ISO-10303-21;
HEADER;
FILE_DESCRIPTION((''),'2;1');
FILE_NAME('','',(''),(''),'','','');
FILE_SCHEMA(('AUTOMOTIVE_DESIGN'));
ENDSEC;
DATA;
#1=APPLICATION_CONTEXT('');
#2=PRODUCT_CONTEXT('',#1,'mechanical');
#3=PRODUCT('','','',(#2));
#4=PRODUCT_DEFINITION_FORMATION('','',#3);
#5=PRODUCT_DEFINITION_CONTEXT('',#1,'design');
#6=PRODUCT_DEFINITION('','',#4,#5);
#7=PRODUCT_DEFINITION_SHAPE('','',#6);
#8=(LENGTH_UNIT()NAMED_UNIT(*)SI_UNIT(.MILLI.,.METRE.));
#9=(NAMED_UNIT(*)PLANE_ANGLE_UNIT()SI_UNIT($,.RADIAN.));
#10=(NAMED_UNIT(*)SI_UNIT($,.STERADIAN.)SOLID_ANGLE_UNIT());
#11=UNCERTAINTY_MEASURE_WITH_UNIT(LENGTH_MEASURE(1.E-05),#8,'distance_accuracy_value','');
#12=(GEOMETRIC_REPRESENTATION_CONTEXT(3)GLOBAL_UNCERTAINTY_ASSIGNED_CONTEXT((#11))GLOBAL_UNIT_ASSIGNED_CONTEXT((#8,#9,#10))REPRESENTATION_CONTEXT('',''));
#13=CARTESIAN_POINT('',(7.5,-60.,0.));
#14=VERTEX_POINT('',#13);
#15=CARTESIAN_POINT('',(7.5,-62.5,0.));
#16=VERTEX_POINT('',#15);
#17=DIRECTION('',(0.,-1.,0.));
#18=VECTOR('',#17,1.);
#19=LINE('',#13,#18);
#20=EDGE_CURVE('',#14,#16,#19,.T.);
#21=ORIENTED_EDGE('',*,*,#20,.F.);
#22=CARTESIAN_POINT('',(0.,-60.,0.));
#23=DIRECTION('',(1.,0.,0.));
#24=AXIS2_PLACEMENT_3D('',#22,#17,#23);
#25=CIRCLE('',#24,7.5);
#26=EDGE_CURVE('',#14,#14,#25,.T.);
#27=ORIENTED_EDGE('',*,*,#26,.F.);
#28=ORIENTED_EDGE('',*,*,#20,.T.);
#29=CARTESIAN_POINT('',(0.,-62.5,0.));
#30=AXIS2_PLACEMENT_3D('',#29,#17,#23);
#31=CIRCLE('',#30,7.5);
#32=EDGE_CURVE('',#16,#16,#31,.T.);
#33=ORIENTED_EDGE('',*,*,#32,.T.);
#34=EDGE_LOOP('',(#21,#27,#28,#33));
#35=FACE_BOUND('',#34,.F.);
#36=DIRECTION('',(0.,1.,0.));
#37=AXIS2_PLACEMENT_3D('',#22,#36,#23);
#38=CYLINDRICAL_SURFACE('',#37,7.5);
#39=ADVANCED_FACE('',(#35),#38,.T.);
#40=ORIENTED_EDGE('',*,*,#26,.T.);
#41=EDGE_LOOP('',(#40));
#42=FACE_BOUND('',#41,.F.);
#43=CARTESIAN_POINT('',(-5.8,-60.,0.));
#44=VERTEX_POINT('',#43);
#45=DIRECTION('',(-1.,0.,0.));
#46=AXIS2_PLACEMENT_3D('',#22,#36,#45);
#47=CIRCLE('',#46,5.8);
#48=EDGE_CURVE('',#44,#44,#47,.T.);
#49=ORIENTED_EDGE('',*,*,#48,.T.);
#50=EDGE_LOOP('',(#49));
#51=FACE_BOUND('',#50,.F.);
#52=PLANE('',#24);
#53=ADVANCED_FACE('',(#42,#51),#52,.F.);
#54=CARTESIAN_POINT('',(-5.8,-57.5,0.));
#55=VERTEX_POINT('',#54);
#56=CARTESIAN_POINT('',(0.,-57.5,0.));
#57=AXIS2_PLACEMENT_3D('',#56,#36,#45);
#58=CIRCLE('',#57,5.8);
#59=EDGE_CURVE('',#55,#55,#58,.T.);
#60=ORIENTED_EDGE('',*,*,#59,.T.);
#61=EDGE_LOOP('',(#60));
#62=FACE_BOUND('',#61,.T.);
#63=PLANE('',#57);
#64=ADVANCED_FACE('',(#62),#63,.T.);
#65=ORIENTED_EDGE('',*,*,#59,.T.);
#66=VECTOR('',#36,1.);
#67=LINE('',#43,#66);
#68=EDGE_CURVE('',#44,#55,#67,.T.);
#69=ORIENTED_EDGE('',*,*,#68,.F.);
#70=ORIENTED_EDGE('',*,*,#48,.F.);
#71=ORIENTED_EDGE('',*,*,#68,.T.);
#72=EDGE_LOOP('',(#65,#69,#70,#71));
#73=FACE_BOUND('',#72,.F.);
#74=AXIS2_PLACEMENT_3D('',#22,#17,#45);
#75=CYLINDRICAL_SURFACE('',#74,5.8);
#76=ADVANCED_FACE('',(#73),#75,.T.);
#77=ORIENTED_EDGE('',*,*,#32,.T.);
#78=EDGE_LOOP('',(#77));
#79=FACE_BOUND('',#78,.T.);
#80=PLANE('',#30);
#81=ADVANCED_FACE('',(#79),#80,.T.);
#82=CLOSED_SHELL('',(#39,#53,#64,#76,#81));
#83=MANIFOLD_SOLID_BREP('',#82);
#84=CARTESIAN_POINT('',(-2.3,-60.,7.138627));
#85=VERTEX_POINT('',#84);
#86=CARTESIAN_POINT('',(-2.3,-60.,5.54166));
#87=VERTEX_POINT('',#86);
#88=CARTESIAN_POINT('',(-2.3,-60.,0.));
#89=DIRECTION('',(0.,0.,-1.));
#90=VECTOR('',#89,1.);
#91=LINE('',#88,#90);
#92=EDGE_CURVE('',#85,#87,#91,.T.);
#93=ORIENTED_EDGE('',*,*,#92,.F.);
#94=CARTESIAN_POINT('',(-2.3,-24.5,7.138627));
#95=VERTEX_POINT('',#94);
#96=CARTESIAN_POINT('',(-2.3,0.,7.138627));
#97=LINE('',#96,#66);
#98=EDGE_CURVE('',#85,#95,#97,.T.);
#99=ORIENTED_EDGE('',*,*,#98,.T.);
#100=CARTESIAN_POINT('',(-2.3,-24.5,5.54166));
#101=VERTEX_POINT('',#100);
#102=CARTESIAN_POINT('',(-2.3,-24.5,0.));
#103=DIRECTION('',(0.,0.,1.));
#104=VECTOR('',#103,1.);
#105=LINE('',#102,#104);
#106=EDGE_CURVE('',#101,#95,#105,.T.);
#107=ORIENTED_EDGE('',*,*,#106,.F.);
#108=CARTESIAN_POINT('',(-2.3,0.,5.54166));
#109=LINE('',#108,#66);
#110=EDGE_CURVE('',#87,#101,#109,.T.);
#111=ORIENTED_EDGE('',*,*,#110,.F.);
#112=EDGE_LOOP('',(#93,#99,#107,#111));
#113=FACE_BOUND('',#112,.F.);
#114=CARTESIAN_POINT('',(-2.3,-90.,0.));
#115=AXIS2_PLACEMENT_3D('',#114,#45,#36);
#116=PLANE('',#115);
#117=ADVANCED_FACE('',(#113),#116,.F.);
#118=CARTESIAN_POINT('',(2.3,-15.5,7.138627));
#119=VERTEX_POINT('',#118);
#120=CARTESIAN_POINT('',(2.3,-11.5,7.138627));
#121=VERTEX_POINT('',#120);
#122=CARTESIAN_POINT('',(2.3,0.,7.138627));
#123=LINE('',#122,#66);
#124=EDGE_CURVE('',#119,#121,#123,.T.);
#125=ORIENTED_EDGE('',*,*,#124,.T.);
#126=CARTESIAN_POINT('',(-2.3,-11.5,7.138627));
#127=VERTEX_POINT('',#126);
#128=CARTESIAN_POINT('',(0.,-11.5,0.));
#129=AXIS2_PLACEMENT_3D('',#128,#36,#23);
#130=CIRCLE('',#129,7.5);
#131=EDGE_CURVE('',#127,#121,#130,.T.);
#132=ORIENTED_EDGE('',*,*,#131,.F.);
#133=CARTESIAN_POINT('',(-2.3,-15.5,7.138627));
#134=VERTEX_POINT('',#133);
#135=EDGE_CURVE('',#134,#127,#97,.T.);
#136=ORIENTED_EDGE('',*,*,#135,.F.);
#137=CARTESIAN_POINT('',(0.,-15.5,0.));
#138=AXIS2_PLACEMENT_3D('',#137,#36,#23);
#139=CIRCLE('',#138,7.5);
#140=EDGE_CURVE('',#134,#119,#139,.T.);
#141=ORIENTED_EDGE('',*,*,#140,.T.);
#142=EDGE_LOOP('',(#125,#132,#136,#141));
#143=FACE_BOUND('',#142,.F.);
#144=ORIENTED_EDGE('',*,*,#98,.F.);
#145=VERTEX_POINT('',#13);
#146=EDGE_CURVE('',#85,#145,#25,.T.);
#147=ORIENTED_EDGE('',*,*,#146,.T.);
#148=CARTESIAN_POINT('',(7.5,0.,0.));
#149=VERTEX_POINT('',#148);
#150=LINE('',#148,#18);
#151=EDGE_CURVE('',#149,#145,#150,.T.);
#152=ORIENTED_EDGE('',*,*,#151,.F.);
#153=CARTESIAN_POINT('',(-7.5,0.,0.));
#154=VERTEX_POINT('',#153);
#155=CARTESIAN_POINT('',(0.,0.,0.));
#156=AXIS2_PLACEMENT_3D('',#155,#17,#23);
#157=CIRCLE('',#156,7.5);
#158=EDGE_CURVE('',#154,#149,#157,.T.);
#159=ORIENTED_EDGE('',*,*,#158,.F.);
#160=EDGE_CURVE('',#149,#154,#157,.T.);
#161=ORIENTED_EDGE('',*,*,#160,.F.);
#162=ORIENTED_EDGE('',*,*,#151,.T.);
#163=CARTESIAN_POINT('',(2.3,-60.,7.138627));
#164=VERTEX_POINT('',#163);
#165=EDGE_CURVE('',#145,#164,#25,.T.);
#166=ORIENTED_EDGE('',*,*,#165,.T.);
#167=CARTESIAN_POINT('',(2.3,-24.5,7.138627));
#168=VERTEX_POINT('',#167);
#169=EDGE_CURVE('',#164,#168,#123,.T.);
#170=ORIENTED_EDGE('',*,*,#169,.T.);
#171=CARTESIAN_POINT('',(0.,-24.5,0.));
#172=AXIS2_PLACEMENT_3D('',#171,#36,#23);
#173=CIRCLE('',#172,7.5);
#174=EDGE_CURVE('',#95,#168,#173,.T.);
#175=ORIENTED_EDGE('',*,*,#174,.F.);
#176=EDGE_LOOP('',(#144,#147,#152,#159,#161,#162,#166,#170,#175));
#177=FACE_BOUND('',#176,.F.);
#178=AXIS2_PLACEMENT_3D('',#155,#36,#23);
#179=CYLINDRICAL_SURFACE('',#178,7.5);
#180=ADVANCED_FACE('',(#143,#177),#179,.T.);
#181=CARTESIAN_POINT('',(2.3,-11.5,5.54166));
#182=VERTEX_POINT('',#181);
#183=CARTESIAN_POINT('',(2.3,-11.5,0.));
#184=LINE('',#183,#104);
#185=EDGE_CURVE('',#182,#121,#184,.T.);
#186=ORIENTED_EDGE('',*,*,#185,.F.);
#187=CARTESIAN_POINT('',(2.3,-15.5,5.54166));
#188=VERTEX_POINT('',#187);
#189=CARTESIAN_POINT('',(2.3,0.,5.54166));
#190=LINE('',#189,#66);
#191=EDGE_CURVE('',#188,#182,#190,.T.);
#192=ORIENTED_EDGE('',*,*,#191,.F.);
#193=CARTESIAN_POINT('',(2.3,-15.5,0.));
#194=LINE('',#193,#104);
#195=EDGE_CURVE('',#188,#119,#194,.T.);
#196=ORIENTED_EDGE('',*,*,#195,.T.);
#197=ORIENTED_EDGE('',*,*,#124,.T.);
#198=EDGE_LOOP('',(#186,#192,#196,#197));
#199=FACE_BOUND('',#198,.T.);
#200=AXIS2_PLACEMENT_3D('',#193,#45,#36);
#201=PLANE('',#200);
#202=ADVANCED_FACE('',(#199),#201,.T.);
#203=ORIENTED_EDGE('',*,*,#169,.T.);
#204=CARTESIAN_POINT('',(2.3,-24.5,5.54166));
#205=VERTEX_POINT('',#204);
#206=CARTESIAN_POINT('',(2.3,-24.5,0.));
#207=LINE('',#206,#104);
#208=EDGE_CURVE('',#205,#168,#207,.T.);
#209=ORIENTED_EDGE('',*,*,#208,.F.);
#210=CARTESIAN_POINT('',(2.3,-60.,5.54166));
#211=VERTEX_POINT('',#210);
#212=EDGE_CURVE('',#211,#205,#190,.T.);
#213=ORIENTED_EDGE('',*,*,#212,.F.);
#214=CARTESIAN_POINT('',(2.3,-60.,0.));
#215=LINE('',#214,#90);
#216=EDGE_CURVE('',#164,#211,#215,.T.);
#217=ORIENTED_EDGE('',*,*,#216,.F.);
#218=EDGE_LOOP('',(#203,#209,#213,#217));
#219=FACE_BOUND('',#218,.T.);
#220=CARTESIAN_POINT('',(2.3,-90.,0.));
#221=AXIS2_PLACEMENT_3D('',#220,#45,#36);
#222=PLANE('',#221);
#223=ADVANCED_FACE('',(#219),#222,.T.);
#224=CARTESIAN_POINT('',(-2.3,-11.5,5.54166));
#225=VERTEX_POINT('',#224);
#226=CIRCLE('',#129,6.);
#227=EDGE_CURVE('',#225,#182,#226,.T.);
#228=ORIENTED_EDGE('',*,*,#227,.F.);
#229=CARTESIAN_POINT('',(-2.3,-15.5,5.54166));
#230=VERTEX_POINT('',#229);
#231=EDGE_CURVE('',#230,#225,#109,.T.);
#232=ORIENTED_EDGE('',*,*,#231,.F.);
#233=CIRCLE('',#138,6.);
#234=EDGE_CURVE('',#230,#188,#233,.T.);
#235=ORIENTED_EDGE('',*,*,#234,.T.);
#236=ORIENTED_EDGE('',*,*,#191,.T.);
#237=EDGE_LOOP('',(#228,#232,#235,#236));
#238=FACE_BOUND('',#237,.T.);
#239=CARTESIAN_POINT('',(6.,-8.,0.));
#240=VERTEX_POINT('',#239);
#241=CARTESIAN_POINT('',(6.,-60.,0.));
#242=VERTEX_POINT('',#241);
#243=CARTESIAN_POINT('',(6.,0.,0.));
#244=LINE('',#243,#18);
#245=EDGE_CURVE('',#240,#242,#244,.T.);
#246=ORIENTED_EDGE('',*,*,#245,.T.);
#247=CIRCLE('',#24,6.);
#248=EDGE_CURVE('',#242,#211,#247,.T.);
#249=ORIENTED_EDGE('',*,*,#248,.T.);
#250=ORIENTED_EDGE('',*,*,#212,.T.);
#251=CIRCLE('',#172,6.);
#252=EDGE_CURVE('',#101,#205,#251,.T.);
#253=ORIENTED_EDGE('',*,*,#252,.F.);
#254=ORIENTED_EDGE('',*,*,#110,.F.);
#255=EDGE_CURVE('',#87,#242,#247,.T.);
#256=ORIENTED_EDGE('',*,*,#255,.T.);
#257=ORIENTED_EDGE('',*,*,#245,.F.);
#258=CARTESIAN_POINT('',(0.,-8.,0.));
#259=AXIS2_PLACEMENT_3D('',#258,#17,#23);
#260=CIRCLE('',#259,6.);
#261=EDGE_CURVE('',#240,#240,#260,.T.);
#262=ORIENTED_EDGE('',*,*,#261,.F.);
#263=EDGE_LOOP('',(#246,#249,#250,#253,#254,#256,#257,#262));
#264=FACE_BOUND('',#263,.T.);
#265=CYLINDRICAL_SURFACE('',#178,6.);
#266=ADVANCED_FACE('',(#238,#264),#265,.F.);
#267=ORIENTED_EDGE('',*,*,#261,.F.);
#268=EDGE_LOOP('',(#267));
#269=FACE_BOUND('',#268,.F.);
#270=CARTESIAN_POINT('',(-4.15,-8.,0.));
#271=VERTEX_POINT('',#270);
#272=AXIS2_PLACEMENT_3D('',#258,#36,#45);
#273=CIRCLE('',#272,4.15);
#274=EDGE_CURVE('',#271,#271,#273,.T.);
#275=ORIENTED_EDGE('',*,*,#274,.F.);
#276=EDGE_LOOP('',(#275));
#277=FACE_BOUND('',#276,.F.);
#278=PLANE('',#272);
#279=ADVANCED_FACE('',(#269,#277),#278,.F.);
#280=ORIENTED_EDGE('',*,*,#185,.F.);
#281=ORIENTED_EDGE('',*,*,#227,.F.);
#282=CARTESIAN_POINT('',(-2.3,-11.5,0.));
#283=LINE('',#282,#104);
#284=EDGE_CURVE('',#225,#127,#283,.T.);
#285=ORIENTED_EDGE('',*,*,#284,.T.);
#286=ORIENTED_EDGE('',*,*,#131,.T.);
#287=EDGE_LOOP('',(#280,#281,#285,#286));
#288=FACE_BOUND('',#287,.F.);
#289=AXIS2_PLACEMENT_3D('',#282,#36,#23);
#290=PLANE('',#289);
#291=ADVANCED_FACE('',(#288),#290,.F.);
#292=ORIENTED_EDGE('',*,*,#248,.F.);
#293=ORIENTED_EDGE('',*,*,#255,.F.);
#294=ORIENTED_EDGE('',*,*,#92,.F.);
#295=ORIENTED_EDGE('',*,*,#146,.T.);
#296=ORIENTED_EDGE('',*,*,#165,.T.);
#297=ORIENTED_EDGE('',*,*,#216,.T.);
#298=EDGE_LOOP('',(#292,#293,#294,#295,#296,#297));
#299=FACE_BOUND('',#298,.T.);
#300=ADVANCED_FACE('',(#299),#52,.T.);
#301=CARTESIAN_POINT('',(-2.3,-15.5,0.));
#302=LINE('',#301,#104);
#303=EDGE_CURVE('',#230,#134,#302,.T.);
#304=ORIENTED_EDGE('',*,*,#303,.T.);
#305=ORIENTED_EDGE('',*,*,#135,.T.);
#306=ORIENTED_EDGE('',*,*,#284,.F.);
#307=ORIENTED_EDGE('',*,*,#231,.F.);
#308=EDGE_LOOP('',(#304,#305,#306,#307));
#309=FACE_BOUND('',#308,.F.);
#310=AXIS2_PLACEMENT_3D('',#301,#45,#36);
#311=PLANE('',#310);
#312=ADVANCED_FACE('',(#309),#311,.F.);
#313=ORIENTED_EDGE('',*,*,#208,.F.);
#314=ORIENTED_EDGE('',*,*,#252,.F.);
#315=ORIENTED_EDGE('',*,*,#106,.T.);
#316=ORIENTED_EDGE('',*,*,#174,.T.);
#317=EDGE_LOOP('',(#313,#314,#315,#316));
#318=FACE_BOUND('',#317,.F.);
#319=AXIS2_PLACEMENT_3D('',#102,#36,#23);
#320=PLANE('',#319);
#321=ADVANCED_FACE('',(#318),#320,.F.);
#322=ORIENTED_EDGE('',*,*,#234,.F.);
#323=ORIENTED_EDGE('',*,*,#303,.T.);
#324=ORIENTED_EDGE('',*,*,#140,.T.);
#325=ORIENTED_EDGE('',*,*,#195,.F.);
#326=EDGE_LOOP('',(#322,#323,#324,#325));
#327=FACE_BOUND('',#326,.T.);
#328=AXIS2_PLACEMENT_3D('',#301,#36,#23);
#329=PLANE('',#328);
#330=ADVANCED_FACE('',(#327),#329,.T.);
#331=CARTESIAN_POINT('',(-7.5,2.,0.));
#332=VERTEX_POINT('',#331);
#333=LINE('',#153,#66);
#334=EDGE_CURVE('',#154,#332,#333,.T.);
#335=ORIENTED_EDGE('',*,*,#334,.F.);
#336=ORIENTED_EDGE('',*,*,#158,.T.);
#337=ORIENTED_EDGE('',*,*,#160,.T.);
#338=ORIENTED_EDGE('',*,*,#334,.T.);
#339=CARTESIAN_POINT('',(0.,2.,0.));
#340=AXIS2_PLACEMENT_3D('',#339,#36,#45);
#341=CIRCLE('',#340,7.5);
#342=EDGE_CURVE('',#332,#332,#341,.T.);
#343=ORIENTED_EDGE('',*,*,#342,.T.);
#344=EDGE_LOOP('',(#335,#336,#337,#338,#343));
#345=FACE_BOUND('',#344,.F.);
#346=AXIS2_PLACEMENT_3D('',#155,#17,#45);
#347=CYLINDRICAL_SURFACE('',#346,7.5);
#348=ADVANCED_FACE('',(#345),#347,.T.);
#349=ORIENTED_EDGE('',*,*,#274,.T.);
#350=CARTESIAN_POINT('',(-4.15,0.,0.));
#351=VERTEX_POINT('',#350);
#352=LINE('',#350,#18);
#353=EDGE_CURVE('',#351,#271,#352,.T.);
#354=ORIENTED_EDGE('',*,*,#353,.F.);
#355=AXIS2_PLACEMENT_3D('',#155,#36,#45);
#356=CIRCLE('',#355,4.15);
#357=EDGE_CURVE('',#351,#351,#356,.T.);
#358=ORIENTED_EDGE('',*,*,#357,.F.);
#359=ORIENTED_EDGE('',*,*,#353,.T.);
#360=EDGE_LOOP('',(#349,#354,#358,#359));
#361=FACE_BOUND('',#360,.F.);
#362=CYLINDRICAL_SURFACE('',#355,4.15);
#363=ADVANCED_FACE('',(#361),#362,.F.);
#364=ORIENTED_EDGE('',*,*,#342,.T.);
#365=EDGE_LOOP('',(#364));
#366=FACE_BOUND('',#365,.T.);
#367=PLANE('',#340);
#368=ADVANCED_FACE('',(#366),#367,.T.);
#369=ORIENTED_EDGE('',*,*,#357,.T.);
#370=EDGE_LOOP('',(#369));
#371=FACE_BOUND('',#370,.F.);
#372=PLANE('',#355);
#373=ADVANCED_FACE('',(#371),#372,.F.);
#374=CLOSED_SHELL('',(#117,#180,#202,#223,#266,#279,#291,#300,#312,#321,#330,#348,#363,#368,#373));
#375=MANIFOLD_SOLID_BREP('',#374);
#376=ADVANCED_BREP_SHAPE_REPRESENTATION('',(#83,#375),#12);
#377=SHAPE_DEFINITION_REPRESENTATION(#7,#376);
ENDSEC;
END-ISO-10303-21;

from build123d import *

# Parameters (mm, degrees)
F0_R      = 7.5
F0_R_2    = 6
F1_DEPTH  = 60
F2_R      = 6
F2_R_2    = 4.15
F3_DEPTH  = 8
F4_R      = 7.5
F5_DEPTH  = 2
F6_W      = 4.6
F6_H      = 65.5
F6_H_2    = 4
F7_DEPTH  = 25
F8_R      = 7.5
F9_DEPTH  = 2.5
F10_R     = 5.8
F11_DEPTH = 2.5


with BuildPart() as f1:
    # F0 (on Front) → F1 (new body)
    with BuildSketch(Plane.XZ):
        Circle(F0_R)
        Circle(F0_R_2, mode=Mode.SUBTRACT)
    extrude(amount=F1_DEPTH)

    # F2 (on face) → F3 (join)
    with BuildSketch(Plane(origin=(0, 0, 0), x_dir=(-1, 0, 0), z_dir=(0, 1, 0))):
        Circle(F2_R)
        Circle(F2_R_2, mode=Mode.SUBTRACT)
    extrude(amount=-F3_DEPTH)

    # F4 (on face) → F5 (join)
    with BuildSketch(Plane(origin=(0, 0, 0), x_dir=(-1, 0, 0), z_dir=(0, 1, 0))):
        Circle(F4_R)
    extrude(amount=F5_DEPTH)

    # F6 (on Top) → F7 (cut)
    with BuildSketch(Plane.XY):
        with Locations((0, -57.25)):
            Rectangle(F6_W, F6_H)
        with Locations((0, -13.5)):
            Rectangle(F6_W, F6_H_2)
    extrude(amount=F7_DEPTH, mode=Mode.SUBTRACT)


with BuildPart() as f9:
    # F8 (on face) → F9 (new body)
    with BuildSketch(Plane.XZ.offset(60)):
        Circle(F8_R)
    extrude(amount=F9_DEPTH)

    # F10 (on face) → F11 (join)
    with BuildSketch(Plane(origin=(0, -60, 0), x_dir=(-1, 0, 0), z_dir=(0, 1, 0))):
        Circle(F10_R)
    extrude(amount=F11_DEPTH)


solid = Compound([f1.part, f9.part])
